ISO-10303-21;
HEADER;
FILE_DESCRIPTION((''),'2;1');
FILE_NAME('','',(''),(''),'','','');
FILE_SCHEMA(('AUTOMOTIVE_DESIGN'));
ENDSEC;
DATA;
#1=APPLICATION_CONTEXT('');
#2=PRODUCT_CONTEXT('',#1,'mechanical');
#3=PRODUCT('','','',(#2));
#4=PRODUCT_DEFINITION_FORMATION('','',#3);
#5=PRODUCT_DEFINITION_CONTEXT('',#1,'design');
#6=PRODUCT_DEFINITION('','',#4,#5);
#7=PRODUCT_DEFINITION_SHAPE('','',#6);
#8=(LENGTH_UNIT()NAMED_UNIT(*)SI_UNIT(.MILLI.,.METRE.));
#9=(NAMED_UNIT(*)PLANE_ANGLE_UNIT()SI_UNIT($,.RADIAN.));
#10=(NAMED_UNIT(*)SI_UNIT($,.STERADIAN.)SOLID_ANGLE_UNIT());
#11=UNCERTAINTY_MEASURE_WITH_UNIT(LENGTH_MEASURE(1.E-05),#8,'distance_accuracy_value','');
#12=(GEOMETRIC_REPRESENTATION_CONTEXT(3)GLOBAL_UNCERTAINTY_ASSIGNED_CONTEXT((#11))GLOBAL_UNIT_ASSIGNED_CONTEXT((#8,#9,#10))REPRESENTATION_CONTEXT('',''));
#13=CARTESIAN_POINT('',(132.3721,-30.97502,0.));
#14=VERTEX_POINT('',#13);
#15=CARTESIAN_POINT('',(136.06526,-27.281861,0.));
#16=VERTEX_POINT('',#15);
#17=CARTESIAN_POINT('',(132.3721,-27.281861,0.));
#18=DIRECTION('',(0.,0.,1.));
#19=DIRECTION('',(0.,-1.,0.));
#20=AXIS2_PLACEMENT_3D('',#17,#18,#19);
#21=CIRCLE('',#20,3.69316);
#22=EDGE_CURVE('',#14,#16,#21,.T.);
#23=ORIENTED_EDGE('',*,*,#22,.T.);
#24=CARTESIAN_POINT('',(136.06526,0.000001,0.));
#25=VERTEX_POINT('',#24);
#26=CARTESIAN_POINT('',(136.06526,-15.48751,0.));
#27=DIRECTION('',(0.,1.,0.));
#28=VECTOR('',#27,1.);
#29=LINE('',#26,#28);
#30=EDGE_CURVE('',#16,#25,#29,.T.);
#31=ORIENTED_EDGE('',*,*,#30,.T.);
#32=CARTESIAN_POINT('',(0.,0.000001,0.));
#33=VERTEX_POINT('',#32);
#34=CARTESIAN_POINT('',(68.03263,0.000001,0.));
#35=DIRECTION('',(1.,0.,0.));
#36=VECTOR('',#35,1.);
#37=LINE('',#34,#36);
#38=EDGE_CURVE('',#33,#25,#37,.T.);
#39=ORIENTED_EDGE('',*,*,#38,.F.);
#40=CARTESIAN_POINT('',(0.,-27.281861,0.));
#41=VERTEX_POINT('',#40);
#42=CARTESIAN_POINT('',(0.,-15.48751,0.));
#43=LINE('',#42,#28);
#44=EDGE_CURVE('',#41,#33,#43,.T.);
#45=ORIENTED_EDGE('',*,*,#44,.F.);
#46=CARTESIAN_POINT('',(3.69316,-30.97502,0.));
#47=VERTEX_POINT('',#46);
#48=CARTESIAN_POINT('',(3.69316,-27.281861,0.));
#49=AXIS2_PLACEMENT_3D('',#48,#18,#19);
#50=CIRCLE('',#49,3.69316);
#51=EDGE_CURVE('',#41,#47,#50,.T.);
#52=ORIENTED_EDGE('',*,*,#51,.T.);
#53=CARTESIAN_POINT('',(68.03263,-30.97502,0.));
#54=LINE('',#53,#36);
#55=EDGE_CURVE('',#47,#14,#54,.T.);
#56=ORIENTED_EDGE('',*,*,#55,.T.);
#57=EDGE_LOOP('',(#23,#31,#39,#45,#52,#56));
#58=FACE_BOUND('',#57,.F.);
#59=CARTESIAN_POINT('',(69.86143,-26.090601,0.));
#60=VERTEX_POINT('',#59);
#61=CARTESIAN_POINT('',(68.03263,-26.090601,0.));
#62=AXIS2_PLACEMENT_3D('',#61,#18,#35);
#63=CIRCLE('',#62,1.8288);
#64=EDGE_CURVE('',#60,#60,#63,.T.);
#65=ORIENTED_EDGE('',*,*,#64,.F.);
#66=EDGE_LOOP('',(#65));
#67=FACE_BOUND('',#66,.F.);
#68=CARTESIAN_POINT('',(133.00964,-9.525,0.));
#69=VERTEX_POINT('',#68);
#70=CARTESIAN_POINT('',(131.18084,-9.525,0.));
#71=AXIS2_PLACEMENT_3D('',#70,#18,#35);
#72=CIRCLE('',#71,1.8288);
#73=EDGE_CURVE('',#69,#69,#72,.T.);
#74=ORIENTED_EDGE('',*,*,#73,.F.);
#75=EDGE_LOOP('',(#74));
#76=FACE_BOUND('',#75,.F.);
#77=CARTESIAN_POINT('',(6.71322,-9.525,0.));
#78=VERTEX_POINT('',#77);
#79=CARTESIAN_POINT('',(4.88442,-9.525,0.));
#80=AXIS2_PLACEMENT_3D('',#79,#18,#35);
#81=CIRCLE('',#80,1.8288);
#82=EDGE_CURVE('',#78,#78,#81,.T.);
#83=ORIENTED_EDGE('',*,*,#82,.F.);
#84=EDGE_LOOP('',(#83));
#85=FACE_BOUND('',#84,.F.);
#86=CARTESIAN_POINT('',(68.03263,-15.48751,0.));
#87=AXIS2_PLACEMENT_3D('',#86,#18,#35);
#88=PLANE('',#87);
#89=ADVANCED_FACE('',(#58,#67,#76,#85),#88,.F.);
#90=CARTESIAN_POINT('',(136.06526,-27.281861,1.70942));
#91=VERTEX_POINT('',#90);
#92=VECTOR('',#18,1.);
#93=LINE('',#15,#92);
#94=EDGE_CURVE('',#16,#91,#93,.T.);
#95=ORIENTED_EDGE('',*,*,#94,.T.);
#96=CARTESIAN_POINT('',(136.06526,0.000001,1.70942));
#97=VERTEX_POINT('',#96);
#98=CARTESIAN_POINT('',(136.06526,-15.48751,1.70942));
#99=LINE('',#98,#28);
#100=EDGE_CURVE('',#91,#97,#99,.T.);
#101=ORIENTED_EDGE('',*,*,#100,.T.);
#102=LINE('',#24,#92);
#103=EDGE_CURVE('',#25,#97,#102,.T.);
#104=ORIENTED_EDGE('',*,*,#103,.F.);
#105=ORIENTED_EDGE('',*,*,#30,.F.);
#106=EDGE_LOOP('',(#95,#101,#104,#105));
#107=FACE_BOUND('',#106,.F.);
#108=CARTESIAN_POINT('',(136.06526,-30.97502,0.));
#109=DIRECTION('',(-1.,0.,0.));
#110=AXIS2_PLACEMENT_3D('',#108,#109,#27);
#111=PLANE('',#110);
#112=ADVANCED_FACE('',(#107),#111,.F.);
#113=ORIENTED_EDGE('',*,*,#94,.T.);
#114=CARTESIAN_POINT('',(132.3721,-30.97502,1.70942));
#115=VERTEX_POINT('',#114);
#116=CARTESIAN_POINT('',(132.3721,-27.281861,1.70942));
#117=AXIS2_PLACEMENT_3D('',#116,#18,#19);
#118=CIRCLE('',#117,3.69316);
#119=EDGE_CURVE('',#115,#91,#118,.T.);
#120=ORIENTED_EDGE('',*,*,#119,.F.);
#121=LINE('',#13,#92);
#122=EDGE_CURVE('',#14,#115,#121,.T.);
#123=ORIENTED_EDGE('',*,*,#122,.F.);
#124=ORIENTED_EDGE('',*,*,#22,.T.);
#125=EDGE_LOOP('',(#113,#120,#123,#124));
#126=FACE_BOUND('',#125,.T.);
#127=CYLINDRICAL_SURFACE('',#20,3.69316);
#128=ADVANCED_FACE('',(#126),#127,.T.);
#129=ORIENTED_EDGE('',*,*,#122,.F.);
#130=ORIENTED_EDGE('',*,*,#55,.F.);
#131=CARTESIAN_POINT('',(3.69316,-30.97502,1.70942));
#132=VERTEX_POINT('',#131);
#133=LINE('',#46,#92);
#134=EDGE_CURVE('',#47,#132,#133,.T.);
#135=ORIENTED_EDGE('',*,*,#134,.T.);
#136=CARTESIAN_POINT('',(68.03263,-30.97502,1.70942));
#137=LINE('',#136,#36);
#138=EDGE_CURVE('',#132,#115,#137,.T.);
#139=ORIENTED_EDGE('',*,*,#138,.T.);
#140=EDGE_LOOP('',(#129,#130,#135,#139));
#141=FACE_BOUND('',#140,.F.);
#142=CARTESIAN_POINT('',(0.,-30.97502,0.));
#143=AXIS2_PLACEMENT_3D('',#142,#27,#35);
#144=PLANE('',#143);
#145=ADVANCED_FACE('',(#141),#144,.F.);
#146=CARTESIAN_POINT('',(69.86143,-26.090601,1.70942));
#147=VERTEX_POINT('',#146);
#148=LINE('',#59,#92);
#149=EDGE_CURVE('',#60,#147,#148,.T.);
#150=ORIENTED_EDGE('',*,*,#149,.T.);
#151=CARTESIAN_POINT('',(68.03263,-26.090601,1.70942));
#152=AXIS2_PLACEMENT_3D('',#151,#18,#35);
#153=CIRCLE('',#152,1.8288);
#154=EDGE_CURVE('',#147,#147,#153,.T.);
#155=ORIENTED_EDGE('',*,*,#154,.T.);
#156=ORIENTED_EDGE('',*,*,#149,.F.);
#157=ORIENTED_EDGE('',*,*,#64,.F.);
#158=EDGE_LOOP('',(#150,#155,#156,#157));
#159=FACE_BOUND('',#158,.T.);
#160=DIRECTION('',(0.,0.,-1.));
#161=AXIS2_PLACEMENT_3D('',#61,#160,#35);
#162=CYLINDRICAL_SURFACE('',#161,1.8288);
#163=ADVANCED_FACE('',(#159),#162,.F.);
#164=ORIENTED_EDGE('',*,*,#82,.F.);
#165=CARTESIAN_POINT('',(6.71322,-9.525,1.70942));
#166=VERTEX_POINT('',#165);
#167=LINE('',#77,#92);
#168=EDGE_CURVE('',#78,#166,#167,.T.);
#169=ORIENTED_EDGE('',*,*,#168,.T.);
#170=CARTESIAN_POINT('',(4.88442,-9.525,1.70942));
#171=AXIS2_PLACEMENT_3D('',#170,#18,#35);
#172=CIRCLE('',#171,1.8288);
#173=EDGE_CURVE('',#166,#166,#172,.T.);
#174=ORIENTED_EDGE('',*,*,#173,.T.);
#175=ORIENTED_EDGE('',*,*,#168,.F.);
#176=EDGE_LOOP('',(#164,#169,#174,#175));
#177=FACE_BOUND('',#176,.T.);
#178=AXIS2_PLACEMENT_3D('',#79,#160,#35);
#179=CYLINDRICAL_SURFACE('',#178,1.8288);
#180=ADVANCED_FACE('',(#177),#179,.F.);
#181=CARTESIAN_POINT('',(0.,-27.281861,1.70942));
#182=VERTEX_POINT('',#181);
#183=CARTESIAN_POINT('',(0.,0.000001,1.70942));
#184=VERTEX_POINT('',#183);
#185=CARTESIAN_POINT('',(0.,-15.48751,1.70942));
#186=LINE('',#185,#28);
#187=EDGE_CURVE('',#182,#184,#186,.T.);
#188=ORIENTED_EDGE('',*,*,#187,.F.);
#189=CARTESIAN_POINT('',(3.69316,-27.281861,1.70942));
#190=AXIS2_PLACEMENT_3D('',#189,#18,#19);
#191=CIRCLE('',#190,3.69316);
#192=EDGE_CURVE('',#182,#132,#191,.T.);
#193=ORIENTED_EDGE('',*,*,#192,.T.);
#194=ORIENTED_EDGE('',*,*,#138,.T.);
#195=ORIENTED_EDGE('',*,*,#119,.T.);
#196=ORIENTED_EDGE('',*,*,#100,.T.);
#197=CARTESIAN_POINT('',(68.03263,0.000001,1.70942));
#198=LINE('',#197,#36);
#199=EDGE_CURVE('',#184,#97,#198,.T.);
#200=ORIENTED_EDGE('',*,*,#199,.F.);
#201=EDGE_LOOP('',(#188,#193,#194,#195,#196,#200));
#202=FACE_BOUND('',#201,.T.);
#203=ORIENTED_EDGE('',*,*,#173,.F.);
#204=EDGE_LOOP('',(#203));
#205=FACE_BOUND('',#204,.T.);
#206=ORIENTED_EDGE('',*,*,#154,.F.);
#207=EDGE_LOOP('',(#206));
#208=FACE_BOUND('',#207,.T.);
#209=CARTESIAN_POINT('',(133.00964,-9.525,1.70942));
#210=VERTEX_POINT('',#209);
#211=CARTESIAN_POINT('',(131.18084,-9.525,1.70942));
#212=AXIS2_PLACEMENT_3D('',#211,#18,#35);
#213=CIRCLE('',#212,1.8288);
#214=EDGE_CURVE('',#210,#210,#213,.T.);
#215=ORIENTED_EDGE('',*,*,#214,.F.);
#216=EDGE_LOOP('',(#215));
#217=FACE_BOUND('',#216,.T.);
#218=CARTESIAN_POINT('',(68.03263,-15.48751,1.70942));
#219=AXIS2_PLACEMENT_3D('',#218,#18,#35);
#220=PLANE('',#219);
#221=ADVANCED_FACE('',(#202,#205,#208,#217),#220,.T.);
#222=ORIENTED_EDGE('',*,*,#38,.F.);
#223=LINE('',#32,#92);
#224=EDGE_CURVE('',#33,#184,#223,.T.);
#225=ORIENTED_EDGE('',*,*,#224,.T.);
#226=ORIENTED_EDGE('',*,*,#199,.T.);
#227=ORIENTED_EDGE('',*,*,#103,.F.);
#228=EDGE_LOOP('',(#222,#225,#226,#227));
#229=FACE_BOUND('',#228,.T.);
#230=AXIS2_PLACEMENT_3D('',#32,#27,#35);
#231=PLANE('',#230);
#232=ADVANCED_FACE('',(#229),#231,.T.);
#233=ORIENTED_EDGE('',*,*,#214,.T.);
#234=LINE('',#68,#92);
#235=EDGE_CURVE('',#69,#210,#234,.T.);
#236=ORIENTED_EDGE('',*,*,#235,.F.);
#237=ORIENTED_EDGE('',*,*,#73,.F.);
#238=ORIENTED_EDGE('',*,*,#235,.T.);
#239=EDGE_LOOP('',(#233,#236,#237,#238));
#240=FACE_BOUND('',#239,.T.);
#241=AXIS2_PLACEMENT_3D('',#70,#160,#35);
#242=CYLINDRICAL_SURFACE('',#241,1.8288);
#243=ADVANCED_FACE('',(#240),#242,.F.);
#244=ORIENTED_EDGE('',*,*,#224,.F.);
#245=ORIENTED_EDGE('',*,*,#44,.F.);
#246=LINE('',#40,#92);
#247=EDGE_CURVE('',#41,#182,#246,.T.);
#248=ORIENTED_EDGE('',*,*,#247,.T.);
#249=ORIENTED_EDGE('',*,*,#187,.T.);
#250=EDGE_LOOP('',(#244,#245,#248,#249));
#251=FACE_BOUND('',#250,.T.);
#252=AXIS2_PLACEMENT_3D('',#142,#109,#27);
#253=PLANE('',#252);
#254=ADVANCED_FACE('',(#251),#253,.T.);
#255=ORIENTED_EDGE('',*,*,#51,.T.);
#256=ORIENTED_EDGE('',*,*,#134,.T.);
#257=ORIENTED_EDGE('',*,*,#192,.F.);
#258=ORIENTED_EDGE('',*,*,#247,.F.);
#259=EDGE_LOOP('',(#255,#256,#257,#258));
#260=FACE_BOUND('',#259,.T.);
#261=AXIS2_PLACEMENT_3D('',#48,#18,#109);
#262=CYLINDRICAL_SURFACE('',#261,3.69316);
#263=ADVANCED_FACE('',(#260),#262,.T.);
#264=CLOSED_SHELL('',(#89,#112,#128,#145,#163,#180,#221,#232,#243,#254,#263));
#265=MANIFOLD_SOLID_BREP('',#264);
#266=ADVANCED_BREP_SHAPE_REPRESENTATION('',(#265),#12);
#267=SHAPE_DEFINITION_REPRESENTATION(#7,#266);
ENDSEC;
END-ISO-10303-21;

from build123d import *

# Parameters (mm, degrees)
F0_W     = 136.06526
F0_H     = 30.975021
F0_R     = 1.8288
F1_DEPTH = 1.70942
F2_R     = 3.69316


with BuildPart() as f1:
    # F0 (on Top) → F1 (new body)
    with BuildSketch(Plane.XY):
        with Locations((68.03263, -15.48751)):
            Rectangle(F0_W, F0_H)
        with Locations((68.03263, -26.090601)):
            Circle(F0_R, mode=Mode.SUBTRACT)
        with Locations((4.88442, -9.525)):
            Circle(F0_R, mode=Mode.SUBTRACT)
        with Locations((131.18084, -9.525)):
            Circle(F0_R, mode=Mode.SUBTRACT)
    extrude(amount=F1_DEPTH)

    # F2
    f2_edges = [f1.edges().sort_by_distance(p)[0] for p in [
        (0, -30.975021, 0.85471),
        (136.06526, -30.975021, 0.85471),
    ]]
    fillet(f2_edges, radius=F2_R)


solid = f1.part
